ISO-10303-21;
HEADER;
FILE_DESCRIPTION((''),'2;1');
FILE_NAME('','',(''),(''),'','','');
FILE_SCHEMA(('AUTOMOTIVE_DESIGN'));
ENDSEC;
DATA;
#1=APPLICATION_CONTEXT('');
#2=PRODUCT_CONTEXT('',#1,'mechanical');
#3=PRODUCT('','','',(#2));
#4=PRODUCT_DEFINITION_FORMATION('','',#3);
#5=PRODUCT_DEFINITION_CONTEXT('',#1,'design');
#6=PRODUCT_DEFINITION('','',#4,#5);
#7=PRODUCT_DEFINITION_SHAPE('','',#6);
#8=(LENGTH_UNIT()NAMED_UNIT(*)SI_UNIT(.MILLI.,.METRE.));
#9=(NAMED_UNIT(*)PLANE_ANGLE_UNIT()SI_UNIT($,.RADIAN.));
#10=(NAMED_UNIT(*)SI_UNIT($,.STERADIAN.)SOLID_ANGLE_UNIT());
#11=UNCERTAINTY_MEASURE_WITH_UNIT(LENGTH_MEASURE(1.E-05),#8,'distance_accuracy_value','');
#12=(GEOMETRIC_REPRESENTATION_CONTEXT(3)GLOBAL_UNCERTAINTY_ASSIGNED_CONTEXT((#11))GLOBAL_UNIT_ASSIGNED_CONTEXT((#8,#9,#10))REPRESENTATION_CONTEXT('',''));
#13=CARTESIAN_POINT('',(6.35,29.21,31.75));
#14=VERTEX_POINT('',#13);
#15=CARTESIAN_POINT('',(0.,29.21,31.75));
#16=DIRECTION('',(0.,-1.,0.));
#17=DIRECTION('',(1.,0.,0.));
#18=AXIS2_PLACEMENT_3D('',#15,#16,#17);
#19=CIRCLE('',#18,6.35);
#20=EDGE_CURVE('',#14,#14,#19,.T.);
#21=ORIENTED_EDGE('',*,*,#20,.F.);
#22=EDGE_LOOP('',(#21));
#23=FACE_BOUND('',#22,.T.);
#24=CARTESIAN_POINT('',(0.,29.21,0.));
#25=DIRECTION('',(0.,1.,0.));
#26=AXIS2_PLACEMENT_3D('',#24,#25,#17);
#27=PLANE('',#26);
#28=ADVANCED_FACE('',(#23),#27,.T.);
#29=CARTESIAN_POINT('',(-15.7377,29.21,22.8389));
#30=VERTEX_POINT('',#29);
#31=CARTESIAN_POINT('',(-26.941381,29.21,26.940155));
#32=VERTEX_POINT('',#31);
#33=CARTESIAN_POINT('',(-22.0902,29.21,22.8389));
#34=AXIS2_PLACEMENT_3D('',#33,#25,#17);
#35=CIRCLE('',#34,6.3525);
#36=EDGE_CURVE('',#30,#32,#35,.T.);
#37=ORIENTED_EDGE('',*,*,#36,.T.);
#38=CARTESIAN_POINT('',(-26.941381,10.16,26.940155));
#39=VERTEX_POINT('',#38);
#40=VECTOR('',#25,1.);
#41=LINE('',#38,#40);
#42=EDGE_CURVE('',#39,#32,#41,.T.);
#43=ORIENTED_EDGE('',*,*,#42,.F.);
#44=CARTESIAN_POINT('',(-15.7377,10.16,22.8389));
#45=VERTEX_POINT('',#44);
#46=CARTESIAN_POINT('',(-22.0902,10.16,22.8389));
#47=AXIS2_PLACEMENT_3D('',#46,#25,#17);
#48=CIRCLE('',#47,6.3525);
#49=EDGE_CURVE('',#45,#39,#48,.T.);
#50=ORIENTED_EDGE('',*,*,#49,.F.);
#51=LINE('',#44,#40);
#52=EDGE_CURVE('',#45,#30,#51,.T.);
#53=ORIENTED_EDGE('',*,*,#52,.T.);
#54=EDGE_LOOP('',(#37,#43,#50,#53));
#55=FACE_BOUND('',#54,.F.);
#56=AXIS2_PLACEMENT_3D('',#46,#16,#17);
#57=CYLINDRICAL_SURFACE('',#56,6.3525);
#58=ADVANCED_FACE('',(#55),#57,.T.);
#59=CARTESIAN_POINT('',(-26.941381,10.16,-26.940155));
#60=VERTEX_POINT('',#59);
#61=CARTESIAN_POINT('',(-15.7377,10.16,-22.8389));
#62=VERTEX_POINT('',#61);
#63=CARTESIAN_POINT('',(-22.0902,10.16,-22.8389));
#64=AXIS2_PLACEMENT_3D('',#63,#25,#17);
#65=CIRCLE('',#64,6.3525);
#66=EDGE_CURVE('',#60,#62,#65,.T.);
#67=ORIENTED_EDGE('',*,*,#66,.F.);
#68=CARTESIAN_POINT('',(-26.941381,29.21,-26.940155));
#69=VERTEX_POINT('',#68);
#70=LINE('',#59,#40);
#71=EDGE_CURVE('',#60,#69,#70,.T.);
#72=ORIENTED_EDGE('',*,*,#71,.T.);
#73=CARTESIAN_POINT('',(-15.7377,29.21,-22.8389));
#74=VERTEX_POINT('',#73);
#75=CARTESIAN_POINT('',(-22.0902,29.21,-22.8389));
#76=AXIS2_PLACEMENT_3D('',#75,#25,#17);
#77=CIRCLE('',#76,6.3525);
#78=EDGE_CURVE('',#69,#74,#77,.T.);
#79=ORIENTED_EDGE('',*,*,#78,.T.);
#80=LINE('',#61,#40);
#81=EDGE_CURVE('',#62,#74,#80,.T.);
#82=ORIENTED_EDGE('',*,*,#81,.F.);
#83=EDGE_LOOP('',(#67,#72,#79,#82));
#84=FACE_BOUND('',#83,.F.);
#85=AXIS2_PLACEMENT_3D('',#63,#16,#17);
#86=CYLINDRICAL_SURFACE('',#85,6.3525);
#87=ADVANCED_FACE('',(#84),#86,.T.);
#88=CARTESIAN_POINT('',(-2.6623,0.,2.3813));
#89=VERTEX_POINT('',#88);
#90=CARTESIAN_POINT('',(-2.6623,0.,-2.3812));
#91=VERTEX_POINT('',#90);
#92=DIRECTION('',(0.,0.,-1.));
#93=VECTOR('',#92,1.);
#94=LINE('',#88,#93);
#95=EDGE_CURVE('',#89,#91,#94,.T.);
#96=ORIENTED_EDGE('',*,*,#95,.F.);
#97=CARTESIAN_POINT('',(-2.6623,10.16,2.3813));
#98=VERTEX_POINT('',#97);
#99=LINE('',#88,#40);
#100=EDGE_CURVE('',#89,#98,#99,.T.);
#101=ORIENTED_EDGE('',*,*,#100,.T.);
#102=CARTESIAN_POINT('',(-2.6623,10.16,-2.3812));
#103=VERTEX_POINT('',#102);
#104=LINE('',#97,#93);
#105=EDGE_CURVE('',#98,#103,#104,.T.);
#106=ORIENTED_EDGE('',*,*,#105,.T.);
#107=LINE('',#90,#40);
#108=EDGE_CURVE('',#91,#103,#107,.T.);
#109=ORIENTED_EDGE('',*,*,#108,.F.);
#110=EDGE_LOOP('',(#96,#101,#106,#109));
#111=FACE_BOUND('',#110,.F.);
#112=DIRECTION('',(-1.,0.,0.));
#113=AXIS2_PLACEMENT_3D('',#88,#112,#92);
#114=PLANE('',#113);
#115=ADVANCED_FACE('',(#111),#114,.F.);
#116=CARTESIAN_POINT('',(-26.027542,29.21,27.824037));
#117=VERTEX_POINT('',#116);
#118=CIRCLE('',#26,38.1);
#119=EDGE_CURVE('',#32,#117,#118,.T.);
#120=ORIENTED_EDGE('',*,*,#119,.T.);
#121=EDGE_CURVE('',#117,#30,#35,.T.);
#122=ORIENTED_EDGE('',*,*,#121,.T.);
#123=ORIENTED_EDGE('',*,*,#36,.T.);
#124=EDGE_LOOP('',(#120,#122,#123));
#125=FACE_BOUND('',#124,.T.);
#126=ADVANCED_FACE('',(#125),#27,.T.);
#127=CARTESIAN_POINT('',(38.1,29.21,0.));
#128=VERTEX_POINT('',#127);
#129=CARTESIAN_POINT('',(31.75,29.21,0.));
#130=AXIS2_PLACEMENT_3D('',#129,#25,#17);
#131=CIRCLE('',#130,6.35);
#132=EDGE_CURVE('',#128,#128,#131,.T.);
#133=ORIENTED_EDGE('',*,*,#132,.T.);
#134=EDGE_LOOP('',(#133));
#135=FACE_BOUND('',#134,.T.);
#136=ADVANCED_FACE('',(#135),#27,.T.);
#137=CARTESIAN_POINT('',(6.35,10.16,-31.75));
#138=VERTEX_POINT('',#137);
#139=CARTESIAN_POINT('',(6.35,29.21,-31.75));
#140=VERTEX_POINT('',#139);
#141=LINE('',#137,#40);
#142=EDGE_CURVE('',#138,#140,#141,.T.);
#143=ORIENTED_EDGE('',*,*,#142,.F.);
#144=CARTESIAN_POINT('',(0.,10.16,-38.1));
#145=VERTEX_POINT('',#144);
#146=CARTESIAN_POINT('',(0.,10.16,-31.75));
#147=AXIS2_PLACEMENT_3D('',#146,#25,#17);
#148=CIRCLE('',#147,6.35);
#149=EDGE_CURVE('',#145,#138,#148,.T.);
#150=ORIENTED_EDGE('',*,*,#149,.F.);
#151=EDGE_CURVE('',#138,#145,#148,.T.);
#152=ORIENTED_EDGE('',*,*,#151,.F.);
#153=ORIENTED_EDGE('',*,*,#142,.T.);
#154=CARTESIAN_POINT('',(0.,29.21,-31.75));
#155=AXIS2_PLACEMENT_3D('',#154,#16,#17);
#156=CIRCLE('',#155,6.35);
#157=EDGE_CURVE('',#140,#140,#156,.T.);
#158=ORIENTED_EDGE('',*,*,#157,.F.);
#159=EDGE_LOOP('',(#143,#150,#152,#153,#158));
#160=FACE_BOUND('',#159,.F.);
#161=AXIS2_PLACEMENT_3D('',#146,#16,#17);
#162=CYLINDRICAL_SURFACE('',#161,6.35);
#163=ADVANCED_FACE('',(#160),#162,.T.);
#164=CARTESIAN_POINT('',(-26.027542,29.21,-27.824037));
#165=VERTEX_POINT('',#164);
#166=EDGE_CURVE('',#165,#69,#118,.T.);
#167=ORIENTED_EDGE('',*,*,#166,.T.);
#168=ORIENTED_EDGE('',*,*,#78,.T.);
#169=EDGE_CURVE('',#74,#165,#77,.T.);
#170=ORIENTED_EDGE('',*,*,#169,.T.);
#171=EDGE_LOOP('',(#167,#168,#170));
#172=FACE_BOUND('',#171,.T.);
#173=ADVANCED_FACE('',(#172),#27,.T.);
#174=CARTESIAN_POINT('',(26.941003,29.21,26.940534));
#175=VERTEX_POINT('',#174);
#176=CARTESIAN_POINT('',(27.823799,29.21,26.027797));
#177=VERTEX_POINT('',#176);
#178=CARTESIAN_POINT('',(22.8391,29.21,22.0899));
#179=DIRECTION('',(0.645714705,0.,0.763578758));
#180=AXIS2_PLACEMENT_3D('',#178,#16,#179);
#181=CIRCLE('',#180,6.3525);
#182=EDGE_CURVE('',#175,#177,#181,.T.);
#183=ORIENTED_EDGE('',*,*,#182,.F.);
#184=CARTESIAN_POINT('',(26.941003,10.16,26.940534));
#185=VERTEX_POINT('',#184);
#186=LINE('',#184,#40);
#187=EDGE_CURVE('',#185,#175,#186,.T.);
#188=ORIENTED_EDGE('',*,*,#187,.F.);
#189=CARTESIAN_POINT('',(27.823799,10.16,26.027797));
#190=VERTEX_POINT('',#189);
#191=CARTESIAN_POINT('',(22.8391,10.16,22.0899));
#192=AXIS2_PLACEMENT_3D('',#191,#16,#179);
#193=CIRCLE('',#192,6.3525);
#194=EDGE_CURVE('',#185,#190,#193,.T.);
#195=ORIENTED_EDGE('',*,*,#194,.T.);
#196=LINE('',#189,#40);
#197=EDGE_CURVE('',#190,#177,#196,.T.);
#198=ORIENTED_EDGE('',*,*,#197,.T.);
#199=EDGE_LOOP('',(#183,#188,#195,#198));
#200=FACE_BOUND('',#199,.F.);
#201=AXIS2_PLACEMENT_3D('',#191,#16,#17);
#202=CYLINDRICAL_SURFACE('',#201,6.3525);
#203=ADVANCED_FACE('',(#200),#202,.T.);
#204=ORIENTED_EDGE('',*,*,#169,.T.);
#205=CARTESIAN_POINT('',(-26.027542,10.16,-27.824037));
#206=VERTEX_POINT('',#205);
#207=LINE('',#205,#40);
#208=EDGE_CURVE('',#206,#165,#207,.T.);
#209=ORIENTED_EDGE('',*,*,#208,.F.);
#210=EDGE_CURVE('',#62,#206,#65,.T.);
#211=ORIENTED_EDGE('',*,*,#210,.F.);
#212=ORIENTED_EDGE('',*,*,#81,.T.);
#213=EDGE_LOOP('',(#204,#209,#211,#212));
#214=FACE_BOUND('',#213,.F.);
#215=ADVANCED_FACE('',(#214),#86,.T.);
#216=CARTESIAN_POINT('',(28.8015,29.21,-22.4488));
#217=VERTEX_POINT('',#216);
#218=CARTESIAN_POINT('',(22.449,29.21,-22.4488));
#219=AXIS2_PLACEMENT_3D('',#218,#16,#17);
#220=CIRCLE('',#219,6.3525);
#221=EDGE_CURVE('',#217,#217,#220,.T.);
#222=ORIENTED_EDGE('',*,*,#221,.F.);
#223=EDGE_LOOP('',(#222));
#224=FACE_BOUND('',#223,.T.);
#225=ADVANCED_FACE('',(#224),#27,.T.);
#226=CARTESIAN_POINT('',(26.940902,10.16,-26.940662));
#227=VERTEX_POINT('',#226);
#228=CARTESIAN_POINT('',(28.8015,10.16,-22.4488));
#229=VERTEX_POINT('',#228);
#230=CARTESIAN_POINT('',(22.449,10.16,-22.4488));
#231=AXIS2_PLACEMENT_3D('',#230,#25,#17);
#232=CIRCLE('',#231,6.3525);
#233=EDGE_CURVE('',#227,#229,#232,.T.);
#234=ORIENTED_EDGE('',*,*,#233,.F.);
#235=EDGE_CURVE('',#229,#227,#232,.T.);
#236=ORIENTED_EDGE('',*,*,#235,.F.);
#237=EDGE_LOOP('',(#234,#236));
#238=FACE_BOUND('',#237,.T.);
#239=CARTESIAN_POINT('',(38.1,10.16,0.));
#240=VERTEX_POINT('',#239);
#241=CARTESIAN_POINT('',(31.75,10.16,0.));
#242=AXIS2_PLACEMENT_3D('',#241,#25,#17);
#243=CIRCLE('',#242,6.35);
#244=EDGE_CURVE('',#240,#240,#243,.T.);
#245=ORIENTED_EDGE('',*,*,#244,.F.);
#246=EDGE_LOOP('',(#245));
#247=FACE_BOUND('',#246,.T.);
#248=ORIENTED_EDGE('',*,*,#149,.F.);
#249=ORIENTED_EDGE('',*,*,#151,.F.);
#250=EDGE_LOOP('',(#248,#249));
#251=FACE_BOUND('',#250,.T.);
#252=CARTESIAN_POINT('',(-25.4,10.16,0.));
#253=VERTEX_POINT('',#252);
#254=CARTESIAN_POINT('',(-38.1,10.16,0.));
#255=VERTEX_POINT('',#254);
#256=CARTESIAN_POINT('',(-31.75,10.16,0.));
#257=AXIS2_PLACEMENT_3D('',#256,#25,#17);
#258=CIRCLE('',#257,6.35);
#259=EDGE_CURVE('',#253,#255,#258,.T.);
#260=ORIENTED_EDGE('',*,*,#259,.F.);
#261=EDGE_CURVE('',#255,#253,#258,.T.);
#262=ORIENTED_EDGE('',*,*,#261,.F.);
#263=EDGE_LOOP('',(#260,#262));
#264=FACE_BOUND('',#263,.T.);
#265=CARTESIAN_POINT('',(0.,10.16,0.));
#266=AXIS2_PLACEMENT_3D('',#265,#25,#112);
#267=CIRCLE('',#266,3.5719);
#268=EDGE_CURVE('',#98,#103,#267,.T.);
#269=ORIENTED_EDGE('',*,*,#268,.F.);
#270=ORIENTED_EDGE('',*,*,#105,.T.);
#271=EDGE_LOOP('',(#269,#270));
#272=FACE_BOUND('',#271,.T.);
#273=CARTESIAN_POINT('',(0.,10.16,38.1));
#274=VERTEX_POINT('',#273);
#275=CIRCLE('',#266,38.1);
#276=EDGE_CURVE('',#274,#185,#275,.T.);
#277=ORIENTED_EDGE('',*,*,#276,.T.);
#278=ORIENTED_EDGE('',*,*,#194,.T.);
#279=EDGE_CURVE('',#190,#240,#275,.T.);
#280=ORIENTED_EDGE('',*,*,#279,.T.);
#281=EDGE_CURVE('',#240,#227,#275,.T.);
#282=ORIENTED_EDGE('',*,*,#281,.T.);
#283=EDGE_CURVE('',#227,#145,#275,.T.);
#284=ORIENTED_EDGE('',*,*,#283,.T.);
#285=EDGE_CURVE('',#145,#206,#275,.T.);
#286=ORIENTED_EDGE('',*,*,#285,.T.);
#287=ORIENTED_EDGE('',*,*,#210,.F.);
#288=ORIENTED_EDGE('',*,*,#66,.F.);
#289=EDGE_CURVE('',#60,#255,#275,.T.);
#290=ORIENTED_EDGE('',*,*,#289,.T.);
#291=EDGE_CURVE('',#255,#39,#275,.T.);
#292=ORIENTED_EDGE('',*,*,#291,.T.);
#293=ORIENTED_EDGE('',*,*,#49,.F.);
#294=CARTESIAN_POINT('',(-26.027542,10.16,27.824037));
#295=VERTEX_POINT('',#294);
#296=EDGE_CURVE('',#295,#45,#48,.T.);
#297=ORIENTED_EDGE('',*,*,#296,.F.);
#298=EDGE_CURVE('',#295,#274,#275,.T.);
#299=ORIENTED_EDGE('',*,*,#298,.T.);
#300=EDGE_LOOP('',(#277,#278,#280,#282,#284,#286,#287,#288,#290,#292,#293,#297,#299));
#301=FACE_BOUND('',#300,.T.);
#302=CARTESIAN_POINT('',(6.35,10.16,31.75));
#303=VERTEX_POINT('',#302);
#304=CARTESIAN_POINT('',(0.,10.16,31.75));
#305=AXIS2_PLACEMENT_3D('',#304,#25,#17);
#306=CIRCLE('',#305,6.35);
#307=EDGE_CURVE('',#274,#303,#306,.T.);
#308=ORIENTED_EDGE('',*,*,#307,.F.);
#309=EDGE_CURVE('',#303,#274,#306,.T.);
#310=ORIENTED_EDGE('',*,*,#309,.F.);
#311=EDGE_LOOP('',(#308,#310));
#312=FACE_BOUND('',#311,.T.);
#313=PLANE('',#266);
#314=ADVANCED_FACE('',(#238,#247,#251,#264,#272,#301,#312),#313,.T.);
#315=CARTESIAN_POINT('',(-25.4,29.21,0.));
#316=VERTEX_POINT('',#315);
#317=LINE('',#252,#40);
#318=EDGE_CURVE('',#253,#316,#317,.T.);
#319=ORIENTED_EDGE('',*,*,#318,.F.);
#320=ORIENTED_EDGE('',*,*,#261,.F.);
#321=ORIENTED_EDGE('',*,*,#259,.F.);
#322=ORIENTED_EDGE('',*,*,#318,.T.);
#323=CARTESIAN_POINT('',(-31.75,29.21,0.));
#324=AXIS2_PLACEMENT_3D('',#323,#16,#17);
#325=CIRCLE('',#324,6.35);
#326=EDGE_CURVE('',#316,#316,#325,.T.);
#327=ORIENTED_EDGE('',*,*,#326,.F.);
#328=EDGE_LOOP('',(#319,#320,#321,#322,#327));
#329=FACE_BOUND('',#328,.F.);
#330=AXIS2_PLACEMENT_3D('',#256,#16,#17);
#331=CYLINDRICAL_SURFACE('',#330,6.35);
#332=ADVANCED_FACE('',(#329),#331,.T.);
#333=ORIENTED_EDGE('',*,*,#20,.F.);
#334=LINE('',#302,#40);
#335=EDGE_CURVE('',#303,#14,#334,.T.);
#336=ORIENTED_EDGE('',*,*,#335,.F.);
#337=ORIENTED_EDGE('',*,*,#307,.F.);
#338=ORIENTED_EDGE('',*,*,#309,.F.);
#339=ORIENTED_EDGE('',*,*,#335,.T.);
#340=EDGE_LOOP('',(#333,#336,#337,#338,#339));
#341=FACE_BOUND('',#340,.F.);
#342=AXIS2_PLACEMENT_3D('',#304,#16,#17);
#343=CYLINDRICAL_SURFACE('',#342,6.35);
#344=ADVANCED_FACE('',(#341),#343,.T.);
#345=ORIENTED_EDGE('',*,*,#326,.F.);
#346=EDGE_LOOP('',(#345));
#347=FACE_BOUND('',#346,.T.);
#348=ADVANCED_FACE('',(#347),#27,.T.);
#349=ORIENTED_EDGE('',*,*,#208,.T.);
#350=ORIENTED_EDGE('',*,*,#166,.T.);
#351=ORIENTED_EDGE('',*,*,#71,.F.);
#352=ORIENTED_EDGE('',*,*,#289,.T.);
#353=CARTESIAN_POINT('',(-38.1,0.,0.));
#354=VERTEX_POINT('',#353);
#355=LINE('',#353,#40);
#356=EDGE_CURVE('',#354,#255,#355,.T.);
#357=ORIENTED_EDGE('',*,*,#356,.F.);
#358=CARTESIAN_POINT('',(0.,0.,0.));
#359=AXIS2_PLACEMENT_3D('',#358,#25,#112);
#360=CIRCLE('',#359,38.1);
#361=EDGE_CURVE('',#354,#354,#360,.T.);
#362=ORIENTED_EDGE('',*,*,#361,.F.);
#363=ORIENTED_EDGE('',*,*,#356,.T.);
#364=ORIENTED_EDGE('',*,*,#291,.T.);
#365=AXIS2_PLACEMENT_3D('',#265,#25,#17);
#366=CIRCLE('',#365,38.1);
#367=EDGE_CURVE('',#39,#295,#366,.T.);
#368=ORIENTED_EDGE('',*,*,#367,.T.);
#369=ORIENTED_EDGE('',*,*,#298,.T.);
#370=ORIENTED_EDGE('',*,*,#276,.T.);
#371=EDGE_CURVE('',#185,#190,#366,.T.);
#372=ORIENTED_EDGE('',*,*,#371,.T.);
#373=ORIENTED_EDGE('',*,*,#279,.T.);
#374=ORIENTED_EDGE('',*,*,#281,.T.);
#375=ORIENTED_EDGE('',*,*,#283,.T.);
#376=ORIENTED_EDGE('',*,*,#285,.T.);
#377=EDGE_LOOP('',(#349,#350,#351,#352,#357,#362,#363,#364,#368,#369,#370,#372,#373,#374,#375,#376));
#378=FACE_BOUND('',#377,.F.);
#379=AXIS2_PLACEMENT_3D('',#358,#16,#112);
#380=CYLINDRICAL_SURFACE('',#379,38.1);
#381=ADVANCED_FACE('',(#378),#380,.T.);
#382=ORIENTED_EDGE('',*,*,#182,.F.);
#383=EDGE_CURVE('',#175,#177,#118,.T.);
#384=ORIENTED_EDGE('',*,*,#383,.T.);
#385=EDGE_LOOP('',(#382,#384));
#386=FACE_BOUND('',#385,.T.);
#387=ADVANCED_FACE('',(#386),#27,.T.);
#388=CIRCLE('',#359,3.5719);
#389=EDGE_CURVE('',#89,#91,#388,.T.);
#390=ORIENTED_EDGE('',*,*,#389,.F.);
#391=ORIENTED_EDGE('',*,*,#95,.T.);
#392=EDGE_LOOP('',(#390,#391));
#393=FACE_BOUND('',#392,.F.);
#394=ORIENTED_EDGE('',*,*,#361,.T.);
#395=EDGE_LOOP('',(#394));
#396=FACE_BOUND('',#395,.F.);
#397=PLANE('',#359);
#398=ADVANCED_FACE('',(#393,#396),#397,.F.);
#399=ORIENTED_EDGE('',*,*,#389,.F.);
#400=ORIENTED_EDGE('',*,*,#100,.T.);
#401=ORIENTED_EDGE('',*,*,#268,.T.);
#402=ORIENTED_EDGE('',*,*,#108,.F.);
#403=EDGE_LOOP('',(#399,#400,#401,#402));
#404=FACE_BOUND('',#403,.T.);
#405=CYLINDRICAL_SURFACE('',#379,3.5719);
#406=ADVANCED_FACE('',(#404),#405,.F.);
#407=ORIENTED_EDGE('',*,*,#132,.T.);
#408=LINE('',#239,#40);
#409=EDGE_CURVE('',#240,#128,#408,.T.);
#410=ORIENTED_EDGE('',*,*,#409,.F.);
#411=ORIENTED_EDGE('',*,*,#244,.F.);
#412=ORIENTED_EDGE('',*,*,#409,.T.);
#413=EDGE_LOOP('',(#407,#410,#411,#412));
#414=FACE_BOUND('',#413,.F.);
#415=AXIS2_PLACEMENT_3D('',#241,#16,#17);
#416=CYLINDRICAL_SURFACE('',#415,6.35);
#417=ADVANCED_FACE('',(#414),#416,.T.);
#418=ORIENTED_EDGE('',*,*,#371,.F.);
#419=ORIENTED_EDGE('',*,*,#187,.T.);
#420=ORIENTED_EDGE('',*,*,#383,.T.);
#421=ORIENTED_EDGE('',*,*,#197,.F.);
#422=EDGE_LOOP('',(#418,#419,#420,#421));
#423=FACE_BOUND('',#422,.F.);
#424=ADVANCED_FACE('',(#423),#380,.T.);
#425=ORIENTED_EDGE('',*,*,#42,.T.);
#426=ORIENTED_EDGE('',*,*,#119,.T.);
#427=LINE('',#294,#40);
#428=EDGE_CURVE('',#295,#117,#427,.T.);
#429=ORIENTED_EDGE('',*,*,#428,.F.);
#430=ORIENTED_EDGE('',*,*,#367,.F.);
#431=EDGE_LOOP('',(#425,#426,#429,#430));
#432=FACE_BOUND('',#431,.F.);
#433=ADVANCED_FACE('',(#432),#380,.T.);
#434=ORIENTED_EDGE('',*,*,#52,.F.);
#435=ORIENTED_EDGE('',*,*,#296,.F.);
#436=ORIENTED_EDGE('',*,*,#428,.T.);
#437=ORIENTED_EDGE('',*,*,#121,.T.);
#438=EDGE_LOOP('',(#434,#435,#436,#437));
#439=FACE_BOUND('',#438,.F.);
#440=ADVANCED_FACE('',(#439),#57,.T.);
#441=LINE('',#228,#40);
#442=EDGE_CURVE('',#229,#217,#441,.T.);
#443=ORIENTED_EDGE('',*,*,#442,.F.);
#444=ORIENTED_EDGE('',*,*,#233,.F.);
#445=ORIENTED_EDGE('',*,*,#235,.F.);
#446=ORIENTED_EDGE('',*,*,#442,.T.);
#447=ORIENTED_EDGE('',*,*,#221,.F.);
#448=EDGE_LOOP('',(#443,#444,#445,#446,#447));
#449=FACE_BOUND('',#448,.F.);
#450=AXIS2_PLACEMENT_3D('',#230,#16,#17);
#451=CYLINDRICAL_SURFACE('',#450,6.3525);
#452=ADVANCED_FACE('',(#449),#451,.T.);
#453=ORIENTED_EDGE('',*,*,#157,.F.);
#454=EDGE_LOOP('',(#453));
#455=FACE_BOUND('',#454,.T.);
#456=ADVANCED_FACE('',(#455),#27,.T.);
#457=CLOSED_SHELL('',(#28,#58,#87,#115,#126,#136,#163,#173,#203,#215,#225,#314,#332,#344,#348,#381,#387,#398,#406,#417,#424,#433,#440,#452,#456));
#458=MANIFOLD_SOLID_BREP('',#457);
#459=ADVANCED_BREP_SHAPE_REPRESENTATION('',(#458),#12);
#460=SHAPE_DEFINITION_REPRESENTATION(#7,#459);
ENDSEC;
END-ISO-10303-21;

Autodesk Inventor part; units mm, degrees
ref_plane "YZ Plane" through (0, 0, 0) normal (1, 0, 0) x (0, 1, 0)
ref_plane "XZ Plane" through (0, 0, 0) normal (0, 1, 0) x (-1, 0, 0)
ref_plane "XY Plane" through (0, 0, 0) normal (0, 0, 1) x (1, 0, 0)
sketch "Sketch1" plane through (0, 0, 0) normal (0, 1, 0) x (-1, 0, 0)
  circle A0 centre (0, 0) radius 38.1
  circle A1 centre (0, 0) radius 3.5719
  line L0 (2.6623, 2.3813) -> (2.6623, -2.3812)
  line L1 (2.6623, 0) -> (-3.5719, 0) construction
  dimension "d0" = 7.1437
  dimension "d1" = 76.2
  dimension "d2" = 4.7625
  dimension "d3" = 6.2342
extrude "main shape" add sketch "Sketch1" along normal blind 10.16 contours A0 | A1 L0 picked at (2.8274, 0.5567)
sketch "Sketch2" plane through (0, 10.16, 0) normal (0, 1, 0) x (1, 0, 0)
  circle A0 centre (0, 0) radius 38.1 projected
  arc A1 (22.0902, 31.0424) -> (31.0426, 22.0899) centre (26.9409, 26.9406) ccw construction
  line L0 (0, 38.1) -> (26.9409, 26.9406) construction
  line L1 (38.1, 0) -> (26.9409, 26.9406) construction
  line L2 (0, 38.1) -> (0, 0) construction
  line L3 (38.1, 0) -> (-38.1, 0) construction
  arc A2 (-6.3279, 37.5708) -> (6.3279, 37.5708) centre (0, 38.1) ccw construction
  arc A3 (-37.5708, -6.3279) -> (-37.5708, 6.3279) centre (-38.1, 0) ccw construction
  arc A4 (-31.0426, 22.0899) -> (-22.0902, 31.0424) centre (-26.9409, 26.9406) ccw construction
  arc A5 (6.3279, -37.5708) -> (-6.3279, -37.5708) centre (0, -38.1) ccw construction
  arc A6 (37.5708, 6.3279) -> (37.5708, -6.3279) centre (38.1, 0) ccw construction
  arc A7 (31.0426, -22.0899) -> (22.0902, -31.0424) centre (26.9409, -26.9406) ccw construction
  arc A8 (-22.0902, -31.0424) -> (-31.0426, -22.0899) centre (-26.9409, -26.9406) ccw construction
  arc A9 (-37.5708, -6.3279) -> (-37.5708, 6.3279) centre (-38.1, 0) ccw construction
  circle A10 centre (-31.75, 0) radius 6.35
  circle A11 centre (-22.0902, 22.8389) radius 6.3525
  circle A12 centre (0, 31.75) radius 6.35
  circle A13 centre (22.449, 22.4488) radius 6.3525
  circle A14 centre (31.75, 0) radius 6.35
  circle A15 centre (22.8391, -22.0899) radius 6.3525
  circle A16 centre (0, -31.75) radius 6.35
  circle A17 centre (-22.0902, -22.8389) radius 6.3525
  point P0 (-31.0426, -22.0899)
  point P1 (-26.9409, -26.9406)
  point P2 (-26.0281, -27.8235)
  point P3 (26.9409, -26.9406)
  point P4 (27.8239, -26.0277)
  point P5 (-26.9409, 26.9406)
  point P6 (-26.0281, 27.8235)
  dimension "d6" = 26.9409
  dimension "d7" = 26.9407
extrude "pegs" add sketch "Sketch2" along normal blind 19.05 contours A13 | A12 | A10 | A16 | A14 | A0 A15 | A11 A0 | A0 A17 picked at (21.4863, -20.4795) picked at (-20.8028, 21.1724) picked at (-20.8028, -21.1724)
properties part number "wheel"
